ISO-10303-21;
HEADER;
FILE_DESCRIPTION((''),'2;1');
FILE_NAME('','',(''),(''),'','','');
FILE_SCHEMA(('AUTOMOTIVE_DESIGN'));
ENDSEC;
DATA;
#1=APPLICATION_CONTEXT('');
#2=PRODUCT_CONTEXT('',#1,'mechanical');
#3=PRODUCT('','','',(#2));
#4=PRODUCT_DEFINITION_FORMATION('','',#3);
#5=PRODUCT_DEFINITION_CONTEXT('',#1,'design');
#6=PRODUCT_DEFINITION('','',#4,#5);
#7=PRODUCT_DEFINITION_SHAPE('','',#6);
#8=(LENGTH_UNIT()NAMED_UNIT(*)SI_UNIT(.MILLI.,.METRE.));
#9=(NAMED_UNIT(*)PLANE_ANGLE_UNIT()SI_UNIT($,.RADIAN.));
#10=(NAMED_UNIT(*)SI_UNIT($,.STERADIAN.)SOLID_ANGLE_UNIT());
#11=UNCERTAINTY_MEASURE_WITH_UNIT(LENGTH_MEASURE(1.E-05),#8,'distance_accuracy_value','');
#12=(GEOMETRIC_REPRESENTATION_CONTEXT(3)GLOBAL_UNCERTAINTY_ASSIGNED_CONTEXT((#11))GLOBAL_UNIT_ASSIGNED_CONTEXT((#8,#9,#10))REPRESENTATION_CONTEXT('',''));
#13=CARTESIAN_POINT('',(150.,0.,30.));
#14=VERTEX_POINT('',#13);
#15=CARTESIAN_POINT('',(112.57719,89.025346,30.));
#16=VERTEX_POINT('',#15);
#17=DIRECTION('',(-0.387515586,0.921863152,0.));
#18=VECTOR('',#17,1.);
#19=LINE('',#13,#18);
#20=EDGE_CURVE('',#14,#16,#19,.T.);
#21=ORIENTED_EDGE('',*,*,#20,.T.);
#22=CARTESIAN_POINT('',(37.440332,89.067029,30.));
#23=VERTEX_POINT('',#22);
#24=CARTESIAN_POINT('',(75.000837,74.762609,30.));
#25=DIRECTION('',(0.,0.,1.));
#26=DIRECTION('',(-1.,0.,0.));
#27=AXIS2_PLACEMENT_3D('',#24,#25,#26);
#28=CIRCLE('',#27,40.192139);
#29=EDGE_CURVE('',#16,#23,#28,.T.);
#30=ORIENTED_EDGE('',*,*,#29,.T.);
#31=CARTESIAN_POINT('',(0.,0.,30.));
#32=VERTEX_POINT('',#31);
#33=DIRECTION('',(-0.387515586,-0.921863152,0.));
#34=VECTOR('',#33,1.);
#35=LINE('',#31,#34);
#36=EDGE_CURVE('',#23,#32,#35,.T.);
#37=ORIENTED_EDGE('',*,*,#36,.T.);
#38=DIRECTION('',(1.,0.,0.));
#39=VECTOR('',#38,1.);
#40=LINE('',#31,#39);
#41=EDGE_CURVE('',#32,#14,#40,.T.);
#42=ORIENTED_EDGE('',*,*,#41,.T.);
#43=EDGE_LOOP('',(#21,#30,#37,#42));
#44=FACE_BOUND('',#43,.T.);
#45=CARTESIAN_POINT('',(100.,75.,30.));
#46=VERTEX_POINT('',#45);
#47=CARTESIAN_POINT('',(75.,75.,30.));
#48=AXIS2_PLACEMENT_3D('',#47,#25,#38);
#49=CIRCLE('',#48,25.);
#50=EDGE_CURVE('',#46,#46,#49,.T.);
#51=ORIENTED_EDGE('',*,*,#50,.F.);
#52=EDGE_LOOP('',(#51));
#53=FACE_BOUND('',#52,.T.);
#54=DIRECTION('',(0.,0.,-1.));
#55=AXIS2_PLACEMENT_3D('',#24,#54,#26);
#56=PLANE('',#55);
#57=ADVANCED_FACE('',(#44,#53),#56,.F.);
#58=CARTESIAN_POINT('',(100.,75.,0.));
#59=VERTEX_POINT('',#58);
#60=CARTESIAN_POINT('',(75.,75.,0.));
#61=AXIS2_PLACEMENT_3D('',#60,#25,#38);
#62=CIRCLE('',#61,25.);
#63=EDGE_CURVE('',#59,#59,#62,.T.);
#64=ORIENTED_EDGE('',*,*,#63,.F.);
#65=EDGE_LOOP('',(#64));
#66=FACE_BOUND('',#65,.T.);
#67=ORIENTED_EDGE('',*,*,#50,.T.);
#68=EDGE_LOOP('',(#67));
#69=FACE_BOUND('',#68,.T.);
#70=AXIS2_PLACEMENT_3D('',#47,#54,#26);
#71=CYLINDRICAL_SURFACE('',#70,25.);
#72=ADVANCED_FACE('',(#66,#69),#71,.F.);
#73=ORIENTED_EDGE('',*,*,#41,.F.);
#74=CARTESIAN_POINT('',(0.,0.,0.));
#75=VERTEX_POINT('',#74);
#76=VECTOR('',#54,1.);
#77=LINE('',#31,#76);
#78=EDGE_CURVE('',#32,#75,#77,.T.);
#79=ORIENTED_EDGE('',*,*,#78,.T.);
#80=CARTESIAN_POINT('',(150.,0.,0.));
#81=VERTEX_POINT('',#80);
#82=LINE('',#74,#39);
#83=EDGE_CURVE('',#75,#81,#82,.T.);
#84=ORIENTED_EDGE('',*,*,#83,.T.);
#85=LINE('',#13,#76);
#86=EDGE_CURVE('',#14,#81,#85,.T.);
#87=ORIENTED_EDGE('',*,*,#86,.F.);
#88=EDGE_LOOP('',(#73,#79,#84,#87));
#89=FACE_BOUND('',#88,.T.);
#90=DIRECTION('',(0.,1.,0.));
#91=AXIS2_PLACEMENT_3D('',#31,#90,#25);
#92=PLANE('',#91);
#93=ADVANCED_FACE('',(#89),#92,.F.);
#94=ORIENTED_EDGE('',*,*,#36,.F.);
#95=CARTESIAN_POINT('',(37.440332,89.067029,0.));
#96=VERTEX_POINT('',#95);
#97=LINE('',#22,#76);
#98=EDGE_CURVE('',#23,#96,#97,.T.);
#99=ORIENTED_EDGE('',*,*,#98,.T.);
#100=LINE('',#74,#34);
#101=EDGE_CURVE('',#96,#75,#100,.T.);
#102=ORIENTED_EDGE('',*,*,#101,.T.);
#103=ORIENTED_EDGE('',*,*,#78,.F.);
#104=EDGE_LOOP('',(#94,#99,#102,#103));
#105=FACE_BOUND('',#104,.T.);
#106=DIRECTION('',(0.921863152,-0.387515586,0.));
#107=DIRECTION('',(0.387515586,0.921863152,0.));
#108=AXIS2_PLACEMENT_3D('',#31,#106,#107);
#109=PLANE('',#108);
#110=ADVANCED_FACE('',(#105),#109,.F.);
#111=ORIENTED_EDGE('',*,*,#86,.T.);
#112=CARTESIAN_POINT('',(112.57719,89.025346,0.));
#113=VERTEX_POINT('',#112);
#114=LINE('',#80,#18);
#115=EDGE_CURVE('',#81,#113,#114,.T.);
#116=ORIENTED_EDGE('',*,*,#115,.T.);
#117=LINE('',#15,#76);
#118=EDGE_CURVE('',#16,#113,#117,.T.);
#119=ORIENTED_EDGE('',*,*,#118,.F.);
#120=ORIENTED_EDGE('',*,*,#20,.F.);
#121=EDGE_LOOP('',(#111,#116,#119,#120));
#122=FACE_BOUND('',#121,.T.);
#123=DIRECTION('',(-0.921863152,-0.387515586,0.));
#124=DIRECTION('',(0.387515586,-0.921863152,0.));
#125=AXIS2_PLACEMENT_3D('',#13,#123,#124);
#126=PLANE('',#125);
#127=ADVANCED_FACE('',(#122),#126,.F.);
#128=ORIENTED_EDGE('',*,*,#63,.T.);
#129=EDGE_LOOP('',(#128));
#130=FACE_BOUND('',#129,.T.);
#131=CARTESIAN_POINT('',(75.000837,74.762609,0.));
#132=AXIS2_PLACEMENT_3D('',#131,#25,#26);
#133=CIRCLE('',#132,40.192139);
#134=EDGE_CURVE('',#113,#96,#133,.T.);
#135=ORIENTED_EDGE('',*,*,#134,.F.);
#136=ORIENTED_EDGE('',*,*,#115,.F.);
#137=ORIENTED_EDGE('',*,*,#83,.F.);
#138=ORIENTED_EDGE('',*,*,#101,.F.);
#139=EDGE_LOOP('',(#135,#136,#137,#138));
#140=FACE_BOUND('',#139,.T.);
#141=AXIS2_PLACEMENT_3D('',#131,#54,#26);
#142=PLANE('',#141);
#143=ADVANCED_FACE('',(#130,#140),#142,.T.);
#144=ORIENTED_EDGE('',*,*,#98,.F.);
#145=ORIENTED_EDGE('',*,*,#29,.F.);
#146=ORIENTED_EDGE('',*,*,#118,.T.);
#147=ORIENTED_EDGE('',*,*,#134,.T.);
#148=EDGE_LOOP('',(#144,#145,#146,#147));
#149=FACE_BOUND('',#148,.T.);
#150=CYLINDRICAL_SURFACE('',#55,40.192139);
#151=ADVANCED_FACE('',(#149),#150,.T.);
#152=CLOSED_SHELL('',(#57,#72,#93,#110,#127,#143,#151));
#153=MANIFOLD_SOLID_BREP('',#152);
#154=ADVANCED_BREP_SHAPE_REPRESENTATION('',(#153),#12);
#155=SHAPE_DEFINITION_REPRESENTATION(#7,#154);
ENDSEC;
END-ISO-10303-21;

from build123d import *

# Parameters (mm, degrees)
SKETCH1_R      = 25
EXTRUDE1_DEPTH = 30


with BuildPart() as part:
    # Sketch1 → Extrude1 (new body)
    with BuildSketch(Plane.XY):
        with BuildLine():
            Line((0, 0), (37.440331543, 89.067029145))
            ThreePointArc((37.440331543, 89.067029145), (75.023134104, 114.954741353), (112.577190444, 89.025345985))
            Line((112.577190444, 89.025345985), (150, 0))
            Line((150, 0), (0, 0))
        make_face()
        with Locations((75, 75)):
            Circle(SKETCH1_R, mode=Mode.SUBTRACT)
    extrude(amount=EXTRUDE1_DEPTH)


solid = part.part
